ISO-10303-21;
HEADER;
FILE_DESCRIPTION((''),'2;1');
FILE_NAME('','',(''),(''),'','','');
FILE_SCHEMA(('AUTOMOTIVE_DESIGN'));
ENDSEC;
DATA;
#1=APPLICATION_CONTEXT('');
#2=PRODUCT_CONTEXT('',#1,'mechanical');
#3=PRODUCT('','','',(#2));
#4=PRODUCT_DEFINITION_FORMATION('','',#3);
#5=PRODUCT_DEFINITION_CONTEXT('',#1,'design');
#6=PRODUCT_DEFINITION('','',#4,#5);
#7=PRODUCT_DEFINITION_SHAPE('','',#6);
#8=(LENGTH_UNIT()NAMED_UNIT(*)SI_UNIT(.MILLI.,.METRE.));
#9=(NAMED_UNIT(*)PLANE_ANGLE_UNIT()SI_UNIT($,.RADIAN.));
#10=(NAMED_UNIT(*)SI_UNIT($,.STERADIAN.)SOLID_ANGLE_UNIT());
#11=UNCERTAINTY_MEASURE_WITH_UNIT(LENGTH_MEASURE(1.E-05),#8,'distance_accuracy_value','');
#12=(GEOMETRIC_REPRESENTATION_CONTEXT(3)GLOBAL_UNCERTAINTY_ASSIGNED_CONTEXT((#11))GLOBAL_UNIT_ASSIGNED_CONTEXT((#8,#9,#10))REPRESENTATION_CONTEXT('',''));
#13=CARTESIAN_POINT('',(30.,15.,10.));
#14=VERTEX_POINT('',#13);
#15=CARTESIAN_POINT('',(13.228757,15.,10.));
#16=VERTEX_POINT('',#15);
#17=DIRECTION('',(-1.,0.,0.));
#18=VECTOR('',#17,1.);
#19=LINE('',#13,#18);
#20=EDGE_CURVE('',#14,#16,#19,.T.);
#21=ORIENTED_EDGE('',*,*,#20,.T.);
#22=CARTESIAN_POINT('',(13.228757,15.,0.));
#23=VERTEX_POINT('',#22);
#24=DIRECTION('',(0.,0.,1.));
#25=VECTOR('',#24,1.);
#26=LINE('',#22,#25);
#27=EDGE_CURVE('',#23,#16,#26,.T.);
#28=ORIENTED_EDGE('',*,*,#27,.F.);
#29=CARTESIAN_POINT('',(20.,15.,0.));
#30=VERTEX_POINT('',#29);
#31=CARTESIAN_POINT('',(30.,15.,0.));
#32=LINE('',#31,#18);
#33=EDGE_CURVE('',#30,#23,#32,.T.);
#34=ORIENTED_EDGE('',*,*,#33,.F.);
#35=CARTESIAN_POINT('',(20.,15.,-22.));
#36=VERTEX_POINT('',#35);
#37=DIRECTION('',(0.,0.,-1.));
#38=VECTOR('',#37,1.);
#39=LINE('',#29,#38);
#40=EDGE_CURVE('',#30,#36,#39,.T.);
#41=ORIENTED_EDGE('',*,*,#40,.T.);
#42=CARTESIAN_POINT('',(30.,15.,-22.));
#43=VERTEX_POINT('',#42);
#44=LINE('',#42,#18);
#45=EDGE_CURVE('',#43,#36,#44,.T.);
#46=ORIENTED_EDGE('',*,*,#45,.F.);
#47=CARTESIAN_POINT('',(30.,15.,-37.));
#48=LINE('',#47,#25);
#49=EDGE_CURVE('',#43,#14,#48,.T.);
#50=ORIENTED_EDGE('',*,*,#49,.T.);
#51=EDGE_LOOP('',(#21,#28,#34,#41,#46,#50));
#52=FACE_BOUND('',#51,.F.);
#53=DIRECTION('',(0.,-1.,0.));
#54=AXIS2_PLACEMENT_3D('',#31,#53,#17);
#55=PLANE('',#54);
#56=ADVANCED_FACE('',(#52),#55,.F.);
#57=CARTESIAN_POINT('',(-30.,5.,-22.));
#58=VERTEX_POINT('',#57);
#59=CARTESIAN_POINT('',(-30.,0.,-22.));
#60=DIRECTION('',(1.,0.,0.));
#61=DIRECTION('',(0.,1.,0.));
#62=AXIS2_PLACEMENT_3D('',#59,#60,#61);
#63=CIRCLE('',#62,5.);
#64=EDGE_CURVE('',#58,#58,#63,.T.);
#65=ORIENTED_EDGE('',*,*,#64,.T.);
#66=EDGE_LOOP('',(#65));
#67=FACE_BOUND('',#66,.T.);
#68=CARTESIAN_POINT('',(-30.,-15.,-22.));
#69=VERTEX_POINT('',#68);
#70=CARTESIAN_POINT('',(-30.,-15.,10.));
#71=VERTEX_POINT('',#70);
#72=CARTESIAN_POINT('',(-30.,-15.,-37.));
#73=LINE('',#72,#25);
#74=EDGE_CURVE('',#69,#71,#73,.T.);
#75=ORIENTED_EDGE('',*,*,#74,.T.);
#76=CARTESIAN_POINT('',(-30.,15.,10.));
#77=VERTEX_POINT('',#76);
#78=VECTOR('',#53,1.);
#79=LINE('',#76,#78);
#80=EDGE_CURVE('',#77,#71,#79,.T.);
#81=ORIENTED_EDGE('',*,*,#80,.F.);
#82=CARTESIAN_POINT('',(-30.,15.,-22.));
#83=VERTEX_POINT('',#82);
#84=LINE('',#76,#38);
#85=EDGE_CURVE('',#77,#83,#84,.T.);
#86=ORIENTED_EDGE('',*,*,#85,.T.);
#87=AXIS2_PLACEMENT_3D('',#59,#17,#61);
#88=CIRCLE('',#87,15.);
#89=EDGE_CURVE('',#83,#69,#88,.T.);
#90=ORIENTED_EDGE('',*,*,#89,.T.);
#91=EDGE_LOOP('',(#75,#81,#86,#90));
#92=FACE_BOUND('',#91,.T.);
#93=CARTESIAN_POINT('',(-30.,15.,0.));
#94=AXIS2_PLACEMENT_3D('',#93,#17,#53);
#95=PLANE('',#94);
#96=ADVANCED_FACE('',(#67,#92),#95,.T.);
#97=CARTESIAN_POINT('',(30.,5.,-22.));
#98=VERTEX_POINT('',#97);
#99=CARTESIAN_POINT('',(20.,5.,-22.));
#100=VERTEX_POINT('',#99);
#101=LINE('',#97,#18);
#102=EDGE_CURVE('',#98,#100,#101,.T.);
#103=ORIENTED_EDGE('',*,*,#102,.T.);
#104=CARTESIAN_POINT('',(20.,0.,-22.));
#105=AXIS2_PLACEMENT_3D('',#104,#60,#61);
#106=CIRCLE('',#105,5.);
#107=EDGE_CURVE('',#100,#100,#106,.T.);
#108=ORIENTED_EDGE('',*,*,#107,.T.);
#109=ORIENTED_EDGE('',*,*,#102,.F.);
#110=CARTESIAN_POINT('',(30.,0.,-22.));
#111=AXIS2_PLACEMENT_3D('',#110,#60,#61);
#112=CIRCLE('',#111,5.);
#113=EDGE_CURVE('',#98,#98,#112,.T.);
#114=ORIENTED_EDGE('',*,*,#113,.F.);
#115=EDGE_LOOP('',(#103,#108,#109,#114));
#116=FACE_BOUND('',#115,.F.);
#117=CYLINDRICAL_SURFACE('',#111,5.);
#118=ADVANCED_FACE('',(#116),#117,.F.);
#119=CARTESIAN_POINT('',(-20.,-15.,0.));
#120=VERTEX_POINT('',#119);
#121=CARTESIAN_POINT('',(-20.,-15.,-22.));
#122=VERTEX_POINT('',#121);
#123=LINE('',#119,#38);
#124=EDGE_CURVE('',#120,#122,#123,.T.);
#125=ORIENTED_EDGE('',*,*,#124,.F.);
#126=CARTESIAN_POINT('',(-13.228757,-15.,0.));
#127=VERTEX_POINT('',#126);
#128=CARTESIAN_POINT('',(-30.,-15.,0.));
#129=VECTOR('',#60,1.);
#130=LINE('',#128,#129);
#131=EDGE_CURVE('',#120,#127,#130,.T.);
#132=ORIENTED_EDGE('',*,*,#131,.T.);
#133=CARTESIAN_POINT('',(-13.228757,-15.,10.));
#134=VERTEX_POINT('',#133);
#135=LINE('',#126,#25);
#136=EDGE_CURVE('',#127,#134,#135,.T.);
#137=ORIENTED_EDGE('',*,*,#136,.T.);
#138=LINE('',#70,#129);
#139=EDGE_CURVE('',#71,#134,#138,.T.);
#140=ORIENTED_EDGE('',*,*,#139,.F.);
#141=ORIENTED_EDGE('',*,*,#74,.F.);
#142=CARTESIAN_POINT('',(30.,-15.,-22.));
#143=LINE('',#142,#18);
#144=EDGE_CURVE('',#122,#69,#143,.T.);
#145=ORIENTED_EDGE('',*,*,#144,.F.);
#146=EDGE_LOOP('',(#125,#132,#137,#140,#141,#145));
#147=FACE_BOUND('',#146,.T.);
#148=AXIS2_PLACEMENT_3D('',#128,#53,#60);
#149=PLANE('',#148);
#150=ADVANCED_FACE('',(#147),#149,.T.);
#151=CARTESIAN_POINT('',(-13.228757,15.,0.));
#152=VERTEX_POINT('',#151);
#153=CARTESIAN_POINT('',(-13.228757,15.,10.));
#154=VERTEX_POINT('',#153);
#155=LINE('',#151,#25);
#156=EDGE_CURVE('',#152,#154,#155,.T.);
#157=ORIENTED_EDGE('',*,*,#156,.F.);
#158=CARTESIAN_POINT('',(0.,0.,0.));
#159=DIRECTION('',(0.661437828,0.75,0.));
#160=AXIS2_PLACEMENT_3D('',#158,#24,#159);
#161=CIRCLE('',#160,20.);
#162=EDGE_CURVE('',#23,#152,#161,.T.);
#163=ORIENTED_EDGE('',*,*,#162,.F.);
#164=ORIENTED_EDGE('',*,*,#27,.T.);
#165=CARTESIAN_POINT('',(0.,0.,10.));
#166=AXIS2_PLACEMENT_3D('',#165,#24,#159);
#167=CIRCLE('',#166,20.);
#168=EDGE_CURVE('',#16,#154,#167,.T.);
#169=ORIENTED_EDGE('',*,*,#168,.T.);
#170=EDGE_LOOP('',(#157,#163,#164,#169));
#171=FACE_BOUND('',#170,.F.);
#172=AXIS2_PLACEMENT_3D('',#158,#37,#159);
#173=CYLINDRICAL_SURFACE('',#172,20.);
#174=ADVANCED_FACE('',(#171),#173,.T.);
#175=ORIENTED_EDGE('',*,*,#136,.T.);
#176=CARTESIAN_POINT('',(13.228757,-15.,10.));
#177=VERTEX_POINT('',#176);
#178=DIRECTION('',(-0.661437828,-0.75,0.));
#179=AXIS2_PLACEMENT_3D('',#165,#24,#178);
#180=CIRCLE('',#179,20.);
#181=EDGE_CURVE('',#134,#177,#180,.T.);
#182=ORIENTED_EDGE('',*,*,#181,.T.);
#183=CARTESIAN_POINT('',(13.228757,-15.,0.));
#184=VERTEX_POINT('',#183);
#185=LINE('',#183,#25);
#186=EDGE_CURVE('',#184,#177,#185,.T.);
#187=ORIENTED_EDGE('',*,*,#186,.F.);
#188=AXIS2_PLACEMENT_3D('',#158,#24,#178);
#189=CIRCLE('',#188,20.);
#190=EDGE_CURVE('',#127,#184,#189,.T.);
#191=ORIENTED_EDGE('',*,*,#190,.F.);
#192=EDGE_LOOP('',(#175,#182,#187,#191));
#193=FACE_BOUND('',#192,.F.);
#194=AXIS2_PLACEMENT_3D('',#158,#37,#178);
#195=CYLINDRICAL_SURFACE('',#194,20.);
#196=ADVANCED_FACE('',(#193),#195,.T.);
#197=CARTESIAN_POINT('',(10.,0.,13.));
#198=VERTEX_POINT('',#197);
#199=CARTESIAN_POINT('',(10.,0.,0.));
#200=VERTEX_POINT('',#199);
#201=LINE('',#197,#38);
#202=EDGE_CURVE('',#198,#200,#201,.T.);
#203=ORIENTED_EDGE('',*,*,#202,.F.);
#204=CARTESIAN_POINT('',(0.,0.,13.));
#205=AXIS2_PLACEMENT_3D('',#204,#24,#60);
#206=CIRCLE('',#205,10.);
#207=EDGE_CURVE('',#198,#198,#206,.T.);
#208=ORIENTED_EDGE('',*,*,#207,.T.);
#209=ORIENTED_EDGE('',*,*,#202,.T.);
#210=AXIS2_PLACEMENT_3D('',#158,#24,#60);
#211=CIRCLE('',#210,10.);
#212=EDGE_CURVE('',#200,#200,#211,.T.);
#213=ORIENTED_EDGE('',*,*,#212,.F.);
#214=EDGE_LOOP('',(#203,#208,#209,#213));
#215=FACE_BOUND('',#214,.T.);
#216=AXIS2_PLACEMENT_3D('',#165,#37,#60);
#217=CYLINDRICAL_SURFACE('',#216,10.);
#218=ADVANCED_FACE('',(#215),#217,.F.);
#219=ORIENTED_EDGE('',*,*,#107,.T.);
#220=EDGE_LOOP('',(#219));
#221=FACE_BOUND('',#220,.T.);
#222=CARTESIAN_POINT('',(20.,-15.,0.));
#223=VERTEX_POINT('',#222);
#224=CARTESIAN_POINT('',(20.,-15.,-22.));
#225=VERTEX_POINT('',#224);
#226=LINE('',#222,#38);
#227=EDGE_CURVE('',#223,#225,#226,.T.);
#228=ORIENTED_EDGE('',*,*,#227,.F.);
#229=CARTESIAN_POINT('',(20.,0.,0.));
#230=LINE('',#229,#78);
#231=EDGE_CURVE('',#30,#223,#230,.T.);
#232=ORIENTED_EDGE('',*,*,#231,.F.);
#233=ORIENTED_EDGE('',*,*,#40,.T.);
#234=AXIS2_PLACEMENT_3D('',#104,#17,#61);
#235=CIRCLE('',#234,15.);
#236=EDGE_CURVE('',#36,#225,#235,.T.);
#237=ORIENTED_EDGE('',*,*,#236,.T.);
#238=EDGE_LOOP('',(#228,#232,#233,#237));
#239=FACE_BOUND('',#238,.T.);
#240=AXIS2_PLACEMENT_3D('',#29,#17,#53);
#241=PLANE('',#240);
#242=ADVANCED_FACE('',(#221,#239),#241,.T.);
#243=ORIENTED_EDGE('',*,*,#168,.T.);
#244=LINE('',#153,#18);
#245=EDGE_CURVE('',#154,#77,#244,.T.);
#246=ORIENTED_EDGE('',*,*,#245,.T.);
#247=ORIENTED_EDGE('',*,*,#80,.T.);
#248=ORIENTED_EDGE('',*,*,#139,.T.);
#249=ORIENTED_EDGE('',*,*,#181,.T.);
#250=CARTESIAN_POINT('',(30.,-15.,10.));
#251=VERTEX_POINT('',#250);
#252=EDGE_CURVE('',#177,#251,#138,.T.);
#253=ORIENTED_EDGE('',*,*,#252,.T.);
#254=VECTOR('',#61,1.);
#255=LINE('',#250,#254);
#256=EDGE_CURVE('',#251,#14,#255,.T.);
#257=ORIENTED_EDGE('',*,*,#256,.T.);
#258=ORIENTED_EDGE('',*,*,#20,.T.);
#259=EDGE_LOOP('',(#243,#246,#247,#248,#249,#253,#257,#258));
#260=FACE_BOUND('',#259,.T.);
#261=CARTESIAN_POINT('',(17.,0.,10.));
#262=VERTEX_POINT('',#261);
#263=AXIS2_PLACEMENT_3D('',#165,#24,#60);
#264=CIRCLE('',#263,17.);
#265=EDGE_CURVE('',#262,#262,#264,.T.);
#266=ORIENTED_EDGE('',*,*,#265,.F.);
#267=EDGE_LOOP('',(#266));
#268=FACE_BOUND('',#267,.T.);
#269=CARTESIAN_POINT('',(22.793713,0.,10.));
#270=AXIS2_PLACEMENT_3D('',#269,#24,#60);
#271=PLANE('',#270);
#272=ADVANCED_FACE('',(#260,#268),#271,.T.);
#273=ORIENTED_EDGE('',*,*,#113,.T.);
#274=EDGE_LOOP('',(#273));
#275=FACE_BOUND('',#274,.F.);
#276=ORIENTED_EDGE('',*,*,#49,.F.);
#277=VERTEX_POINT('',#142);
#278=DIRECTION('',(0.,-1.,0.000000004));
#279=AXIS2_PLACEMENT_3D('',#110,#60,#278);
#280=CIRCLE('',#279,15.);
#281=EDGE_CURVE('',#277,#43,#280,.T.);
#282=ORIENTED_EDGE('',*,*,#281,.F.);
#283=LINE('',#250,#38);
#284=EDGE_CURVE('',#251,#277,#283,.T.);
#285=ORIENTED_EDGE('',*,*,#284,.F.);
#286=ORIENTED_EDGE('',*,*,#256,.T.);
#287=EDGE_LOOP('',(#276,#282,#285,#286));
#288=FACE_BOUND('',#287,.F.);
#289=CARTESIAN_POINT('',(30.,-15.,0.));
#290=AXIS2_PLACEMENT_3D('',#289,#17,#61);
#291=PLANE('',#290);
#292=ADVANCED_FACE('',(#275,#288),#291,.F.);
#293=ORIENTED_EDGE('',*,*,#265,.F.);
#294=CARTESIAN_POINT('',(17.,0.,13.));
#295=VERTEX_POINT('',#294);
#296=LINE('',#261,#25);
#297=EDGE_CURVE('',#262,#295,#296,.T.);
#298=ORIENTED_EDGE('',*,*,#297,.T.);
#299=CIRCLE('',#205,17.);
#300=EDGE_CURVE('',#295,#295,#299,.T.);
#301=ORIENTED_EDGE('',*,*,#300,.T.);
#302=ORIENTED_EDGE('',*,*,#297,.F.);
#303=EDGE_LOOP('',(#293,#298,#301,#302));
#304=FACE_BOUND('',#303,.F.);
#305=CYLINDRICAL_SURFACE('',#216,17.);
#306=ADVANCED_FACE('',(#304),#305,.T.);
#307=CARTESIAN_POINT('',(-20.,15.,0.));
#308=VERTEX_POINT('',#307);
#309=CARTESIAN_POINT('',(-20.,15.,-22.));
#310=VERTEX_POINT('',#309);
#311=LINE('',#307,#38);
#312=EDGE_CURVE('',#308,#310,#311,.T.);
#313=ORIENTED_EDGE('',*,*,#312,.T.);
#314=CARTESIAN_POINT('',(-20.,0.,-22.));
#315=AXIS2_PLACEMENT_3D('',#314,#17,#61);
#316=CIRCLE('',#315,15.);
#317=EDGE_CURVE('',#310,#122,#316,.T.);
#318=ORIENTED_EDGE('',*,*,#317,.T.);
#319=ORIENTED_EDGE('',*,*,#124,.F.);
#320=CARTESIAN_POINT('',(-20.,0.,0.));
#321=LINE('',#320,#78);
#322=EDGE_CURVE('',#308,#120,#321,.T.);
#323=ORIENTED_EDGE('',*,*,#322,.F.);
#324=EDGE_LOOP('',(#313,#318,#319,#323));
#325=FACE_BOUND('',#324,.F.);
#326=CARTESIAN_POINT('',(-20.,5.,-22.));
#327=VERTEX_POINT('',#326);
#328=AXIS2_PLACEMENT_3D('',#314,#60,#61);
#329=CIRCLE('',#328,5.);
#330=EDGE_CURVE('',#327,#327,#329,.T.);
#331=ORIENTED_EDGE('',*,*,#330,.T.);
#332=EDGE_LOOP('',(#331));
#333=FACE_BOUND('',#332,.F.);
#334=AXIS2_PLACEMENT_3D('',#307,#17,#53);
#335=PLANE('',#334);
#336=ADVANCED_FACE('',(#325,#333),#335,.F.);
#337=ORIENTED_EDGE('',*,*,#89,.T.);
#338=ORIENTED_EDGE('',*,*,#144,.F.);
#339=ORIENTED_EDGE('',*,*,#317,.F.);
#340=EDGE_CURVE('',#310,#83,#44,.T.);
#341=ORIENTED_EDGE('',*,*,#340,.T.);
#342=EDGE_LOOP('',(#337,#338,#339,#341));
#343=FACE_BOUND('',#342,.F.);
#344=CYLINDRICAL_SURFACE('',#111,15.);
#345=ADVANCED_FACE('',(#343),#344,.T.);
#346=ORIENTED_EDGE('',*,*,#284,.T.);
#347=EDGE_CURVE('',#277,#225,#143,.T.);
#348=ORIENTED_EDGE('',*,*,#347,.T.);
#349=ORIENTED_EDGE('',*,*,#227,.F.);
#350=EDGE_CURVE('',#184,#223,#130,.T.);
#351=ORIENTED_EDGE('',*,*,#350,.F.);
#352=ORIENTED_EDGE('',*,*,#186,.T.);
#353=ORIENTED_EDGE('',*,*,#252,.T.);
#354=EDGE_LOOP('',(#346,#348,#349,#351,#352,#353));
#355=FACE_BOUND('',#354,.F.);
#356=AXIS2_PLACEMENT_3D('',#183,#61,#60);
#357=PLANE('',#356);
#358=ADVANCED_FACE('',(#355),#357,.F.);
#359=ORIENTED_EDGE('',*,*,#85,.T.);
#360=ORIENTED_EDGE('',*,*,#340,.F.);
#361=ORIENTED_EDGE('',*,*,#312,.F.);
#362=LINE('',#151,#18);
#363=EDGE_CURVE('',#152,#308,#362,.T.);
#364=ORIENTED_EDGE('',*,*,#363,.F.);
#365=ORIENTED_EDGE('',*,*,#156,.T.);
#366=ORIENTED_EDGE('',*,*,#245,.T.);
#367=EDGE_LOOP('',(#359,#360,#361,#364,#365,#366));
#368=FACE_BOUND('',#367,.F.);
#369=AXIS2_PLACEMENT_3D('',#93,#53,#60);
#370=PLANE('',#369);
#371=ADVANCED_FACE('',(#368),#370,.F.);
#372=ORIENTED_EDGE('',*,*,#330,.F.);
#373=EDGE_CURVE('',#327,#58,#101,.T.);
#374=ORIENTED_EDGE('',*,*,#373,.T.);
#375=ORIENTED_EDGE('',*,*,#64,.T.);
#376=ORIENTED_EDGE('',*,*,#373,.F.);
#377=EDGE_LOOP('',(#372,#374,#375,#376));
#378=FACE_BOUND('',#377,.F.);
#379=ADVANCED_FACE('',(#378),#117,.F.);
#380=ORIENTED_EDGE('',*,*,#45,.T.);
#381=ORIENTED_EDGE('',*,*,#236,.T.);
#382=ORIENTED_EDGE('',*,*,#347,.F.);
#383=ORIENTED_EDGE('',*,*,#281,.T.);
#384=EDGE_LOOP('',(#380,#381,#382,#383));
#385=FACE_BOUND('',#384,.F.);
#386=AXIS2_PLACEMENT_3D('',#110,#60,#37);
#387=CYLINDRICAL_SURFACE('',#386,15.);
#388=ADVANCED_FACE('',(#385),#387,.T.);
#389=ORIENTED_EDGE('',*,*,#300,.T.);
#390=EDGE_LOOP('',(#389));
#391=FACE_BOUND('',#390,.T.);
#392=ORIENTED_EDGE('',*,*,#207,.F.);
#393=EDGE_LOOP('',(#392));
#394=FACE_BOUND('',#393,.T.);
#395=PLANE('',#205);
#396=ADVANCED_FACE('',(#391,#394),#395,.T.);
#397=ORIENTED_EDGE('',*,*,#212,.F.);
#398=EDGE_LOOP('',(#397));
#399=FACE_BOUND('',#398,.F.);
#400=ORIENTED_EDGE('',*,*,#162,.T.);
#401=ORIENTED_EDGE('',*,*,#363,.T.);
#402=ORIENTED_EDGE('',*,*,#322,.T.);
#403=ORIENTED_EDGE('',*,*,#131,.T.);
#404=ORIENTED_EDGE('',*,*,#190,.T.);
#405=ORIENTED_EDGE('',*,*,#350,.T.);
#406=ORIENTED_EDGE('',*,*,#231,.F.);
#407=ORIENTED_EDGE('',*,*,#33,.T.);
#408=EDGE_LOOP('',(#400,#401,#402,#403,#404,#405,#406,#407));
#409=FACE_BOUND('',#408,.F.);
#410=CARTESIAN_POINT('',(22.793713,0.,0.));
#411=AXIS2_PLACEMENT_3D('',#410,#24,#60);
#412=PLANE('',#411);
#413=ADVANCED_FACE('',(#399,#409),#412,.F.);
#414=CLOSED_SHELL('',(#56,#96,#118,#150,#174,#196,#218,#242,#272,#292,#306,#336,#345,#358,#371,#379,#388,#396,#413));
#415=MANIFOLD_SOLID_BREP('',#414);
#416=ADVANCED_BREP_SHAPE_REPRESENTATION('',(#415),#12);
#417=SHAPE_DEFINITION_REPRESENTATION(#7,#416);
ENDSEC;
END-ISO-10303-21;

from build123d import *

# Parameters (mm, degrees)
F0_R     = 10
F1_DEPTH = 10
F2_R     = 17
F2_R_2   = 10
F3_DEPTH = 3
F4_W     = 10
F4_H     = 30
F5_DEPTH = 37
F6_R     = 5
F7_DEPTH = 60.001


with BuildPart() as f1:
    # F0 (on Top) → F1 (new body)
    with BuildSketch(Plane.XY):
        with BuildLine():
            Line((30, -15), (30, 15))
            Line((30, 15), (13.2287565553, 15))
            ThreePointArc((13.2287565553, 15), (18.2287565553, 8.2287565553), (20, 0))
            ThreePointArc((20, 0), (18.2287565553, -8.2287565553), (13.2287565553, -15))
            Line((13.2287565553, -15), (30, -15))
        make_face()
        with BuildLine():
            ThreePointArc((20, 0), (18.2287565553, 8.2287565553), (13.2287565553, 15))
            Line((13.2287565553, 15), (-13.2287565553, 15))
            ThreePointArc((-13.2287565553, 15), (-20, 0), (-13.2287565553, -15))
            Line((-13.2287565553, -15), (13.2287565553, -15))
            ThreePointArc((13.2287565553, -15), (18.2287565553, -8.2287565553), (20, 0))
        make_face()
        Circle(F0_R, mode=Mode.SUBTRACT)
        with BuildLine():
            Line((-13.2287565553, 15), (13.2287565553, 15))
            ThreePointArc((13.2287565553, 15), (0, 20), (-13.2287565553, 15))
        make_face()
        with BuildLine():
            ThreePointArc((-13.2287565553, -15), (-20, 0), (-13.2287565553, 15))
            Line((-13.2287565553, 15), (-30, 15))
            Line((-30, 15), (-30, -15))
            Line((-30, -15), (-13.2287565553, -15))
        make_face()
        with BuildLine():
            ThreePointArc((-13.2287565553, -15), (0, -20), (13.2287565553, -15))
            Line((13.2287565553, -15), (-13.2287565553, -15))
        make_face()
    extrude(amount=F1_DEPTH)

    # F2 (on face) → F3 (join)
    with BuildSketch(Plane.XY.offset(10)):
        Circle(F2_R)
        Circle(F2_R_2, mode=Mode.SUBTRACT)
    extrude(amount=F3_DEPTH)

    # F4 (on face) → F5 (join)
    with BuildSketch(Plane(origin=(0, 0, 0), x_dir=(1, 0, 0), z_dir=(0, 0, -1))):
        with Locations((-25, 0)):
            Rectangle(F4_W, F4_H)
        with Locations((25, 0)):
            Rectangle(F4_W, F4_H)
    extrude(amount=F5_DEPTH)

    # F6 (on face) → F7 (cut, through all)
    with BuildSketch(Plane.YZ.offset(30)):
        with BuildLine():
            ThreePointArc((0, -37), (-10.6066017409, -32.6066016947), (-15, -21.9999999346))
            Line((-15, -21.9999999346), (-15, -37))
            Line((-15, -37), (0, -37))
        make_face()
        with BuildLine():
            Line((15, -37), (15, -22))
            ThreePointArc((15, -22), (10.6066017178, -32.6066017178), (0, -37))
            Line((0, -37), (15, -37))
        make_face()
        with Locations((0, -22)):
            Circle(F6_R)
    extrude(amount=-F7_DEPTH, mode=Mode.SUBTRACT)


solid = f1.part
